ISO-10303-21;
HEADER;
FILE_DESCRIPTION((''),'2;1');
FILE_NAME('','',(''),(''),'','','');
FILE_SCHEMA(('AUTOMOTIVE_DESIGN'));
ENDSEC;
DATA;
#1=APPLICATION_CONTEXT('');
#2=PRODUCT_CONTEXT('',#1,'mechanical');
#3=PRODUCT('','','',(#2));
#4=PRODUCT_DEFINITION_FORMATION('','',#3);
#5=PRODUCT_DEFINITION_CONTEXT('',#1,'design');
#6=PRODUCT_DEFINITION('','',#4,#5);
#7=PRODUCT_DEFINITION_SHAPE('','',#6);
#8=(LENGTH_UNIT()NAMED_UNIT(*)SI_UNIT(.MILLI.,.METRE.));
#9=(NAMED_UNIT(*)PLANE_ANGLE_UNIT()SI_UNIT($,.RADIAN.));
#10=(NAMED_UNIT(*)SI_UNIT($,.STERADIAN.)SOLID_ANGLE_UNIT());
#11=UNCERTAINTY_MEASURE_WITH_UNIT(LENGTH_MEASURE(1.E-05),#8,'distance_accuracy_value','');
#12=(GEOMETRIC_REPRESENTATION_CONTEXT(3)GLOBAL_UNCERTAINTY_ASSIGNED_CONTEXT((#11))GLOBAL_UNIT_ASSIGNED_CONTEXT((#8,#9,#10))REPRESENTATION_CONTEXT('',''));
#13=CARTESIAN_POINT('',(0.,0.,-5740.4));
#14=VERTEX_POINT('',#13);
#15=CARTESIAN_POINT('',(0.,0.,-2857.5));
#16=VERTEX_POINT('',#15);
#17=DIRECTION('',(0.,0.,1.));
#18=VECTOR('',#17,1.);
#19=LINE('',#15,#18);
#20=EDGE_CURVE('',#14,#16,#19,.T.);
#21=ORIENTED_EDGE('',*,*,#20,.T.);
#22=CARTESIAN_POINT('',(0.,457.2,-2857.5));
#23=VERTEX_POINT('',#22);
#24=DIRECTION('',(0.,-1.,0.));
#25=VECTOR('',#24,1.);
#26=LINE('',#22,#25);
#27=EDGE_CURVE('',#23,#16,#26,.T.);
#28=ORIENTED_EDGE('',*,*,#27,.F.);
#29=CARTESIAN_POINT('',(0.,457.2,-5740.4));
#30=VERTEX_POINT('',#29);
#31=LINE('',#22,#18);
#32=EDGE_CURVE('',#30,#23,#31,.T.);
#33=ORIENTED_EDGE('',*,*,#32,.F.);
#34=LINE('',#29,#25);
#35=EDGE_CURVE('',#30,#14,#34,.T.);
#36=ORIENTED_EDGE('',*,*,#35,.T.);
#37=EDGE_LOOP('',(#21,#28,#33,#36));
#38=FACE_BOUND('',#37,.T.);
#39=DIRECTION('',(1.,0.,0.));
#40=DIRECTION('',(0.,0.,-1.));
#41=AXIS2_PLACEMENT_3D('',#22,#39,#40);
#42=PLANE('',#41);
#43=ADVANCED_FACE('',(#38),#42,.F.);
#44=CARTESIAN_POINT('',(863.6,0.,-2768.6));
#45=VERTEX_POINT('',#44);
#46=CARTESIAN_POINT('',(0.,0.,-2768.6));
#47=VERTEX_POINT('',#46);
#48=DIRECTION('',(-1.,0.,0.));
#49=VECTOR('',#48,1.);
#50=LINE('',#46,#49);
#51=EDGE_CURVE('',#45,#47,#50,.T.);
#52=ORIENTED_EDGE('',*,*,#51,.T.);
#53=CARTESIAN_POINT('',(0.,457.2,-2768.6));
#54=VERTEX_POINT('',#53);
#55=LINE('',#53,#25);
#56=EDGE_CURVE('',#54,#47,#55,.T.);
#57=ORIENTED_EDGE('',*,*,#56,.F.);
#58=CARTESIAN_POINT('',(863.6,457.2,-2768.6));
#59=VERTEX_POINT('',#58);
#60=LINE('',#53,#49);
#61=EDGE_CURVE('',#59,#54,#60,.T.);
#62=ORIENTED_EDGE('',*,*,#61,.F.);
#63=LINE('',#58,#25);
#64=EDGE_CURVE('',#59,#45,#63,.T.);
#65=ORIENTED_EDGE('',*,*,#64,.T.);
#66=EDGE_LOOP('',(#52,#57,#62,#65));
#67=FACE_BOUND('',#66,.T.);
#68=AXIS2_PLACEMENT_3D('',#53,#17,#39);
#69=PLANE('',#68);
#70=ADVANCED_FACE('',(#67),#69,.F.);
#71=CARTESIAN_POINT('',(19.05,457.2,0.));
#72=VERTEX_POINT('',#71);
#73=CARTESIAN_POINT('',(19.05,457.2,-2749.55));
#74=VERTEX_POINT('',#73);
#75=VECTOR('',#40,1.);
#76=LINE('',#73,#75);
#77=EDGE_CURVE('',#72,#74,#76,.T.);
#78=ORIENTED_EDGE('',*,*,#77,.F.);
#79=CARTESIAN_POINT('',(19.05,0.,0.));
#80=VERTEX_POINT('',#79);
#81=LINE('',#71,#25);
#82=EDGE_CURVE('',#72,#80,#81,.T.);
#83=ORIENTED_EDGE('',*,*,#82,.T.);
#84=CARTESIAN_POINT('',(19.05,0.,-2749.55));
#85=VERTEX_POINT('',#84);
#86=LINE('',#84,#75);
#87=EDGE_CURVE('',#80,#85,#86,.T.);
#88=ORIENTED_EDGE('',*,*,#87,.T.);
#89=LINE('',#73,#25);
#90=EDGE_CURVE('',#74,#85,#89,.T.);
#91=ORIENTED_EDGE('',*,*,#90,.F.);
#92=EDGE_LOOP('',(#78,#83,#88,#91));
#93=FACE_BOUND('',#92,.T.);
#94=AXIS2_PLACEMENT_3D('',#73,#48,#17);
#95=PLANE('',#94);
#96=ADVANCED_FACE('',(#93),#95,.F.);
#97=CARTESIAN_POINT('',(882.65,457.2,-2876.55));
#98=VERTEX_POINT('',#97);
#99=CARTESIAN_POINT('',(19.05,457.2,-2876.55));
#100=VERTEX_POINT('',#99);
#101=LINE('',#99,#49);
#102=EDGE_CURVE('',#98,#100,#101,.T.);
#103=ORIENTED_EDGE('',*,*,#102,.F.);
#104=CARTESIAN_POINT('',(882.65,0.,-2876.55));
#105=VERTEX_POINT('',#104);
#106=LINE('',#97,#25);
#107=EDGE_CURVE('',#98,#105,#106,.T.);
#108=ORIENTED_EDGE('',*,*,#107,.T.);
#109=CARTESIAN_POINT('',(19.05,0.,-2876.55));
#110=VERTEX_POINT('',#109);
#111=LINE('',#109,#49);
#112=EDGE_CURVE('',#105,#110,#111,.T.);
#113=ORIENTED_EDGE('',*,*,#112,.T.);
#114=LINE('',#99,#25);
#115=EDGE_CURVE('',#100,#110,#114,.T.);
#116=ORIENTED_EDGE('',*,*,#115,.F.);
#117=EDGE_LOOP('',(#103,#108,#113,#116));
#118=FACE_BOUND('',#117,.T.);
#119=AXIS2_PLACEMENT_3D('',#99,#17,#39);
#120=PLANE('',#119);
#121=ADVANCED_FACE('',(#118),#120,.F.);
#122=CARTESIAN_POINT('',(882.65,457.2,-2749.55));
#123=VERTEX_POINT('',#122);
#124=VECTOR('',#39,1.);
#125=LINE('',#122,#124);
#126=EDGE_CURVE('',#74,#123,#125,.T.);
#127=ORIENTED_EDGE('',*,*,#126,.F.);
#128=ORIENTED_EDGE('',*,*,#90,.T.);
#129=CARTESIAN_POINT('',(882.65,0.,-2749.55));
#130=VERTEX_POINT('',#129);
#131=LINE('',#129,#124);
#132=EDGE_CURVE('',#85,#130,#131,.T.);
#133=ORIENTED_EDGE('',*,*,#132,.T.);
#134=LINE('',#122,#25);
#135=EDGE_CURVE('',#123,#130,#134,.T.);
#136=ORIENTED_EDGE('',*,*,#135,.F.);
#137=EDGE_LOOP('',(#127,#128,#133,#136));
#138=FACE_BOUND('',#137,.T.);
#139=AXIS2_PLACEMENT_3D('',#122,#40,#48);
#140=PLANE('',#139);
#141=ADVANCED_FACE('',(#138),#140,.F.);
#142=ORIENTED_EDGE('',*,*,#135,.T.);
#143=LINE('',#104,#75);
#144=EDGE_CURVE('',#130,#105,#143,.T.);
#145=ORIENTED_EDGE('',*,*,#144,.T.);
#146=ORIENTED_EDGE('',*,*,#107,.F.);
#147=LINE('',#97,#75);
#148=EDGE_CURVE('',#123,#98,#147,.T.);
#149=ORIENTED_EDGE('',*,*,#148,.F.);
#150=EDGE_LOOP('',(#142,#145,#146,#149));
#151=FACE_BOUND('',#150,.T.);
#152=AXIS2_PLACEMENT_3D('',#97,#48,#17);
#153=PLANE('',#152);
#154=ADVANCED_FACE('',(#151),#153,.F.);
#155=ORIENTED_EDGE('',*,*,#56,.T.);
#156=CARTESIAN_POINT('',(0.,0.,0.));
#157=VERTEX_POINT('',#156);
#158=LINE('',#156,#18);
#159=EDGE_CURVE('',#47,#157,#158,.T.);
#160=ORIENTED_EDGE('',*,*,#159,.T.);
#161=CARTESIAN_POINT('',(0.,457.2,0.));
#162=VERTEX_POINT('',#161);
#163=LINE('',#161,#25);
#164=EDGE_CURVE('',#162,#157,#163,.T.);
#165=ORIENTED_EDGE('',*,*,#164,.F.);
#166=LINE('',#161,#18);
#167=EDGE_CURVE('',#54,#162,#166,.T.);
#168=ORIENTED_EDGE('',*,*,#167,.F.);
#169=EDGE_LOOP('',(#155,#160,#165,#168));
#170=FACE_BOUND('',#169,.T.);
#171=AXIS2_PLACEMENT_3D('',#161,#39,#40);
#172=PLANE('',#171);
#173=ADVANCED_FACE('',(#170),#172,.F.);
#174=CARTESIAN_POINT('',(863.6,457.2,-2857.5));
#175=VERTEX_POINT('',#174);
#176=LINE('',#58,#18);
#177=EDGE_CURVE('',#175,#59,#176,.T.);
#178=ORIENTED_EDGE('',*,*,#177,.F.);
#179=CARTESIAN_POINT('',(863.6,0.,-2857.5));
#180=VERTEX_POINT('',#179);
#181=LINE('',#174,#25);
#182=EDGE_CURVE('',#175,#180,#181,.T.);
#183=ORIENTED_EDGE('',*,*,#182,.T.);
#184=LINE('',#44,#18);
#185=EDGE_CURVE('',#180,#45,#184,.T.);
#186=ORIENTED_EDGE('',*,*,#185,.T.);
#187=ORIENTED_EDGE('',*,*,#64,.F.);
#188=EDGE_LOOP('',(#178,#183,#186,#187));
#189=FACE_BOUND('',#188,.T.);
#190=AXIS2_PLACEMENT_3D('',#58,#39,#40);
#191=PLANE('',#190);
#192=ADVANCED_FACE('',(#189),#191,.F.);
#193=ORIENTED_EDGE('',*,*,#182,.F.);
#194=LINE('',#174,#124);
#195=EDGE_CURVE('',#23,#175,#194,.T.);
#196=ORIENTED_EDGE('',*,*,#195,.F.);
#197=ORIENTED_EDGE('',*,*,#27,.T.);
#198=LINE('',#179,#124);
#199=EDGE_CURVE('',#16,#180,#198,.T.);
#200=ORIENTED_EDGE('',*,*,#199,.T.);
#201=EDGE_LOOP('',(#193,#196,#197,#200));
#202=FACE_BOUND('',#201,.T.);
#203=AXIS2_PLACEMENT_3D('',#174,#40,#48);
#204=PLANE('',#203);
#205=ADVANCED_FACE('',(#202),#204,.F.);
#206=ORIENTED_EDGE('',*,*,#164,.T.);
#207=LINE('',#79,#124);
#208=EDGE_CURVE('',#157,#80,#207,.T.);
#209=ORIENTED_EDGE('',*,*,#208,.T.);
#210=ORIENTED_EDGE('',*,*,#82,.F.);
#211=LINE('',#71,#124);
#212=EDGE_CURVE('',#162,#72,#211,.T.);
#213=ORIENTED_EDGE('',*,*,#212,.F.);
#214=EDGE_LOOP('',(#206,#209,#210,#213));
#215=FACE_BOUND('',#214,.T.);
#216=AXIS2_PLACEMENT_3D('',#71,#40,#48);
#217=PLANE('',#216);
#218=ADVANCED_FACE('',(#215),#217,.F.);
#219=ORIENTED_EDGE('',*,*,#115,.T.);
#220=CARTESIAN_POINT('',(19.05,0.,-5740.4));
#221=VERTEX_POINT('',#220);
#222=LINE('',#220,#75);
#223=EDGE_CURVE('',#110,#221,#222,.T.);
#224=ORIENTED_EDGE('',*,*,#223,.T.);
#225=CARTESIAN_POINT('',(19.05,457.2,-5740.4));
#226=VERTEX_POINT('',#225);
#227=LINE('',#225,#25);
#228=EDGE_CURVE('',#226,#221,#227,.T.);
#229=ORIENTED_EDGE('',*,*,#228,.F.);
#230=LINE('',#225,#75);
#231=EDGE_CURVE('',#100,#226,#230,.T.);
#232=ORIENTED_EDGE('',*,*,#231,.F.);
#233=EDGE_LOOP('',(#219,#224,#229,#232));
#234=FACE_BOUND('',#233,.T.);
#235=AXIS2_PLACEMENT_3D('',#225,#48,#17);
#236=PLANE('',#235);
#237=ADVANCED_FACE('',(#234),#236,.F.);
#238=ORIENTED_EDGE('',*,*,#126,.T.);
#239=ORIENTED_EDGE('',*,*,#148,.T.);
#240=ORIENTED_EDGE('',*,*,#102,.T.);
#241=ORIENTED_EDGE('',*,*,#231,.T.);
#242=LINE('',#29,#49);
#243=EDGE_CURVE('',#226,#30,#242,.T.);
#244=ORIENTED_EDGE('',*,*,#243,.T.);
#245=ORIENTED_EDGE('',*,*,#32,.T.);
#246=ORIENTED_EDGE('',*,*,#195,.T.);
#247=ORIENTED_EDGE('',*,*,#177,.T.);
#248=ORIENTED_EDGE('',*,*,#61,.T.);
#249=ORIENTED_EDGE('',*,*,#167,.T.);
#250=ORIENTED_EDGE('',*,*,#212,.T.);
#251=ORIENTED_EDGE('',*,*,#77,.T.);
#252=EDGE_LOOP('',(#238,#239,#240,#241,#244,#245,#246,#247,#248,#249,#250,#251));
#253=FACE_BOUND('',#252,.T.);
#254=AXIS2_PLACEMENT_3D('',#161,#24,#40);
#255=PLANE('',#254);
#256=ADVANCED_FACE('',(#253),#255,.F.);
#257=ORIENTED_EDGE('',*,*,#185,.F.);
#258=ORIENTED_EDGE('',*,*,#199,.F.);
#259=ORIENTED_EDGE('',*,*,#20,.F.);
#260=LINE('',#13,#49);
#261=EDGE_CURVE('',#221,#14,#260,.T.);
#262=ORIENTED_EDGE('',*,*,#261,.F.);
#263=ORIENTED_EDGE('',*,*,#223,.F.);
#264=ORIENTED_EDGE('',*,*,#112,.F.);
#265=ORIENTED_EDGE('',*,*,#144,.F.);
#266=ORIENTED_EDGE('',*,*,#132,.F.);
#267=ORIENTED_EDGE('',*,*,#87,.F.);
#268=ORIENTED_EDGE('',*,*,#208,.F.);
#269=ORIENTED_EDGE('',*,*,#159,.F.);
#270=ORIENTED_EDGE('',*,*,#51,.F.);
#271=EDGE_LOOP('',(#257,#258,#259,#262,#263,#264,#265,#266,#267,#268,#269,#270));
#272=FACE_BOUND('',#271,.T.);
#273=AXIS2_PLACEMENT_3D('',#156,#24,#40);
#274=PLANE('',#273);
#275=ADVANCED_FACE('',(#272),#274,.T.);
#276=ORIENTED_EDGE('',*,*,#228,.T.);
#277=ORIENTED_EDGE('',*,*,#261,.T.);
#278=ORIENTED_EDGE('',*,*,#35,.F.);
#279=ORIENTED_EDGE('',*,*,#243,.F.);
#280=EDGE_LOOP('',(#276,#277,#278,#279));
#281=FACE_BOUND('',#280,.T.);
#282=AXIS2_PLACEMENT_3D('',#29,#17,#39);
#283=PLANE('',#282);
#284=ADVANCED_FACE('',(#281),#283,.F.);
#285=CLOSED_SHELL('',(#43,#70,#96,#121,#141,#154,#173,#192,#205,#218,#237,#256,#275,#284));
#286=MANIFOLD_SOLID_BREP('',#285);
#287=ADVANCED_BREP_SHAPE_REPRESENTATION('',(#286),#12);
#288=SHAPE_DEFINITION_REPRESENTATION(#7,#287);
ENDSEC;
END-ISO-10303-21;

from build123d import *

# Parameters (mm, degrees)
BOSS_EXTRUDE1_DEPTH = 457.2


with BuildPart() as part:
    # Sketch1 → Boss-Extrude1 (new body)
    with BuildSketch(Plane(origin=(0, 0, 0), x_dir=(1, 0, 0), z_dir=(0, 1, 0))):
        Polygon((0, 0), (0, 2768.6), (863.6, 2768.6), (863.6, 2857.5), (0, 2857.5), (0, 5740.4), (19.05, 5740.4), (19.05, 2876.55), (882.65, 2876.55), (882.65, 2749.55), (19.05, 2749.55), (19.05, 0), align=None)
    extrude(amount=BOSS_EXTRUDE1_DEPTH)


solid = part.part
